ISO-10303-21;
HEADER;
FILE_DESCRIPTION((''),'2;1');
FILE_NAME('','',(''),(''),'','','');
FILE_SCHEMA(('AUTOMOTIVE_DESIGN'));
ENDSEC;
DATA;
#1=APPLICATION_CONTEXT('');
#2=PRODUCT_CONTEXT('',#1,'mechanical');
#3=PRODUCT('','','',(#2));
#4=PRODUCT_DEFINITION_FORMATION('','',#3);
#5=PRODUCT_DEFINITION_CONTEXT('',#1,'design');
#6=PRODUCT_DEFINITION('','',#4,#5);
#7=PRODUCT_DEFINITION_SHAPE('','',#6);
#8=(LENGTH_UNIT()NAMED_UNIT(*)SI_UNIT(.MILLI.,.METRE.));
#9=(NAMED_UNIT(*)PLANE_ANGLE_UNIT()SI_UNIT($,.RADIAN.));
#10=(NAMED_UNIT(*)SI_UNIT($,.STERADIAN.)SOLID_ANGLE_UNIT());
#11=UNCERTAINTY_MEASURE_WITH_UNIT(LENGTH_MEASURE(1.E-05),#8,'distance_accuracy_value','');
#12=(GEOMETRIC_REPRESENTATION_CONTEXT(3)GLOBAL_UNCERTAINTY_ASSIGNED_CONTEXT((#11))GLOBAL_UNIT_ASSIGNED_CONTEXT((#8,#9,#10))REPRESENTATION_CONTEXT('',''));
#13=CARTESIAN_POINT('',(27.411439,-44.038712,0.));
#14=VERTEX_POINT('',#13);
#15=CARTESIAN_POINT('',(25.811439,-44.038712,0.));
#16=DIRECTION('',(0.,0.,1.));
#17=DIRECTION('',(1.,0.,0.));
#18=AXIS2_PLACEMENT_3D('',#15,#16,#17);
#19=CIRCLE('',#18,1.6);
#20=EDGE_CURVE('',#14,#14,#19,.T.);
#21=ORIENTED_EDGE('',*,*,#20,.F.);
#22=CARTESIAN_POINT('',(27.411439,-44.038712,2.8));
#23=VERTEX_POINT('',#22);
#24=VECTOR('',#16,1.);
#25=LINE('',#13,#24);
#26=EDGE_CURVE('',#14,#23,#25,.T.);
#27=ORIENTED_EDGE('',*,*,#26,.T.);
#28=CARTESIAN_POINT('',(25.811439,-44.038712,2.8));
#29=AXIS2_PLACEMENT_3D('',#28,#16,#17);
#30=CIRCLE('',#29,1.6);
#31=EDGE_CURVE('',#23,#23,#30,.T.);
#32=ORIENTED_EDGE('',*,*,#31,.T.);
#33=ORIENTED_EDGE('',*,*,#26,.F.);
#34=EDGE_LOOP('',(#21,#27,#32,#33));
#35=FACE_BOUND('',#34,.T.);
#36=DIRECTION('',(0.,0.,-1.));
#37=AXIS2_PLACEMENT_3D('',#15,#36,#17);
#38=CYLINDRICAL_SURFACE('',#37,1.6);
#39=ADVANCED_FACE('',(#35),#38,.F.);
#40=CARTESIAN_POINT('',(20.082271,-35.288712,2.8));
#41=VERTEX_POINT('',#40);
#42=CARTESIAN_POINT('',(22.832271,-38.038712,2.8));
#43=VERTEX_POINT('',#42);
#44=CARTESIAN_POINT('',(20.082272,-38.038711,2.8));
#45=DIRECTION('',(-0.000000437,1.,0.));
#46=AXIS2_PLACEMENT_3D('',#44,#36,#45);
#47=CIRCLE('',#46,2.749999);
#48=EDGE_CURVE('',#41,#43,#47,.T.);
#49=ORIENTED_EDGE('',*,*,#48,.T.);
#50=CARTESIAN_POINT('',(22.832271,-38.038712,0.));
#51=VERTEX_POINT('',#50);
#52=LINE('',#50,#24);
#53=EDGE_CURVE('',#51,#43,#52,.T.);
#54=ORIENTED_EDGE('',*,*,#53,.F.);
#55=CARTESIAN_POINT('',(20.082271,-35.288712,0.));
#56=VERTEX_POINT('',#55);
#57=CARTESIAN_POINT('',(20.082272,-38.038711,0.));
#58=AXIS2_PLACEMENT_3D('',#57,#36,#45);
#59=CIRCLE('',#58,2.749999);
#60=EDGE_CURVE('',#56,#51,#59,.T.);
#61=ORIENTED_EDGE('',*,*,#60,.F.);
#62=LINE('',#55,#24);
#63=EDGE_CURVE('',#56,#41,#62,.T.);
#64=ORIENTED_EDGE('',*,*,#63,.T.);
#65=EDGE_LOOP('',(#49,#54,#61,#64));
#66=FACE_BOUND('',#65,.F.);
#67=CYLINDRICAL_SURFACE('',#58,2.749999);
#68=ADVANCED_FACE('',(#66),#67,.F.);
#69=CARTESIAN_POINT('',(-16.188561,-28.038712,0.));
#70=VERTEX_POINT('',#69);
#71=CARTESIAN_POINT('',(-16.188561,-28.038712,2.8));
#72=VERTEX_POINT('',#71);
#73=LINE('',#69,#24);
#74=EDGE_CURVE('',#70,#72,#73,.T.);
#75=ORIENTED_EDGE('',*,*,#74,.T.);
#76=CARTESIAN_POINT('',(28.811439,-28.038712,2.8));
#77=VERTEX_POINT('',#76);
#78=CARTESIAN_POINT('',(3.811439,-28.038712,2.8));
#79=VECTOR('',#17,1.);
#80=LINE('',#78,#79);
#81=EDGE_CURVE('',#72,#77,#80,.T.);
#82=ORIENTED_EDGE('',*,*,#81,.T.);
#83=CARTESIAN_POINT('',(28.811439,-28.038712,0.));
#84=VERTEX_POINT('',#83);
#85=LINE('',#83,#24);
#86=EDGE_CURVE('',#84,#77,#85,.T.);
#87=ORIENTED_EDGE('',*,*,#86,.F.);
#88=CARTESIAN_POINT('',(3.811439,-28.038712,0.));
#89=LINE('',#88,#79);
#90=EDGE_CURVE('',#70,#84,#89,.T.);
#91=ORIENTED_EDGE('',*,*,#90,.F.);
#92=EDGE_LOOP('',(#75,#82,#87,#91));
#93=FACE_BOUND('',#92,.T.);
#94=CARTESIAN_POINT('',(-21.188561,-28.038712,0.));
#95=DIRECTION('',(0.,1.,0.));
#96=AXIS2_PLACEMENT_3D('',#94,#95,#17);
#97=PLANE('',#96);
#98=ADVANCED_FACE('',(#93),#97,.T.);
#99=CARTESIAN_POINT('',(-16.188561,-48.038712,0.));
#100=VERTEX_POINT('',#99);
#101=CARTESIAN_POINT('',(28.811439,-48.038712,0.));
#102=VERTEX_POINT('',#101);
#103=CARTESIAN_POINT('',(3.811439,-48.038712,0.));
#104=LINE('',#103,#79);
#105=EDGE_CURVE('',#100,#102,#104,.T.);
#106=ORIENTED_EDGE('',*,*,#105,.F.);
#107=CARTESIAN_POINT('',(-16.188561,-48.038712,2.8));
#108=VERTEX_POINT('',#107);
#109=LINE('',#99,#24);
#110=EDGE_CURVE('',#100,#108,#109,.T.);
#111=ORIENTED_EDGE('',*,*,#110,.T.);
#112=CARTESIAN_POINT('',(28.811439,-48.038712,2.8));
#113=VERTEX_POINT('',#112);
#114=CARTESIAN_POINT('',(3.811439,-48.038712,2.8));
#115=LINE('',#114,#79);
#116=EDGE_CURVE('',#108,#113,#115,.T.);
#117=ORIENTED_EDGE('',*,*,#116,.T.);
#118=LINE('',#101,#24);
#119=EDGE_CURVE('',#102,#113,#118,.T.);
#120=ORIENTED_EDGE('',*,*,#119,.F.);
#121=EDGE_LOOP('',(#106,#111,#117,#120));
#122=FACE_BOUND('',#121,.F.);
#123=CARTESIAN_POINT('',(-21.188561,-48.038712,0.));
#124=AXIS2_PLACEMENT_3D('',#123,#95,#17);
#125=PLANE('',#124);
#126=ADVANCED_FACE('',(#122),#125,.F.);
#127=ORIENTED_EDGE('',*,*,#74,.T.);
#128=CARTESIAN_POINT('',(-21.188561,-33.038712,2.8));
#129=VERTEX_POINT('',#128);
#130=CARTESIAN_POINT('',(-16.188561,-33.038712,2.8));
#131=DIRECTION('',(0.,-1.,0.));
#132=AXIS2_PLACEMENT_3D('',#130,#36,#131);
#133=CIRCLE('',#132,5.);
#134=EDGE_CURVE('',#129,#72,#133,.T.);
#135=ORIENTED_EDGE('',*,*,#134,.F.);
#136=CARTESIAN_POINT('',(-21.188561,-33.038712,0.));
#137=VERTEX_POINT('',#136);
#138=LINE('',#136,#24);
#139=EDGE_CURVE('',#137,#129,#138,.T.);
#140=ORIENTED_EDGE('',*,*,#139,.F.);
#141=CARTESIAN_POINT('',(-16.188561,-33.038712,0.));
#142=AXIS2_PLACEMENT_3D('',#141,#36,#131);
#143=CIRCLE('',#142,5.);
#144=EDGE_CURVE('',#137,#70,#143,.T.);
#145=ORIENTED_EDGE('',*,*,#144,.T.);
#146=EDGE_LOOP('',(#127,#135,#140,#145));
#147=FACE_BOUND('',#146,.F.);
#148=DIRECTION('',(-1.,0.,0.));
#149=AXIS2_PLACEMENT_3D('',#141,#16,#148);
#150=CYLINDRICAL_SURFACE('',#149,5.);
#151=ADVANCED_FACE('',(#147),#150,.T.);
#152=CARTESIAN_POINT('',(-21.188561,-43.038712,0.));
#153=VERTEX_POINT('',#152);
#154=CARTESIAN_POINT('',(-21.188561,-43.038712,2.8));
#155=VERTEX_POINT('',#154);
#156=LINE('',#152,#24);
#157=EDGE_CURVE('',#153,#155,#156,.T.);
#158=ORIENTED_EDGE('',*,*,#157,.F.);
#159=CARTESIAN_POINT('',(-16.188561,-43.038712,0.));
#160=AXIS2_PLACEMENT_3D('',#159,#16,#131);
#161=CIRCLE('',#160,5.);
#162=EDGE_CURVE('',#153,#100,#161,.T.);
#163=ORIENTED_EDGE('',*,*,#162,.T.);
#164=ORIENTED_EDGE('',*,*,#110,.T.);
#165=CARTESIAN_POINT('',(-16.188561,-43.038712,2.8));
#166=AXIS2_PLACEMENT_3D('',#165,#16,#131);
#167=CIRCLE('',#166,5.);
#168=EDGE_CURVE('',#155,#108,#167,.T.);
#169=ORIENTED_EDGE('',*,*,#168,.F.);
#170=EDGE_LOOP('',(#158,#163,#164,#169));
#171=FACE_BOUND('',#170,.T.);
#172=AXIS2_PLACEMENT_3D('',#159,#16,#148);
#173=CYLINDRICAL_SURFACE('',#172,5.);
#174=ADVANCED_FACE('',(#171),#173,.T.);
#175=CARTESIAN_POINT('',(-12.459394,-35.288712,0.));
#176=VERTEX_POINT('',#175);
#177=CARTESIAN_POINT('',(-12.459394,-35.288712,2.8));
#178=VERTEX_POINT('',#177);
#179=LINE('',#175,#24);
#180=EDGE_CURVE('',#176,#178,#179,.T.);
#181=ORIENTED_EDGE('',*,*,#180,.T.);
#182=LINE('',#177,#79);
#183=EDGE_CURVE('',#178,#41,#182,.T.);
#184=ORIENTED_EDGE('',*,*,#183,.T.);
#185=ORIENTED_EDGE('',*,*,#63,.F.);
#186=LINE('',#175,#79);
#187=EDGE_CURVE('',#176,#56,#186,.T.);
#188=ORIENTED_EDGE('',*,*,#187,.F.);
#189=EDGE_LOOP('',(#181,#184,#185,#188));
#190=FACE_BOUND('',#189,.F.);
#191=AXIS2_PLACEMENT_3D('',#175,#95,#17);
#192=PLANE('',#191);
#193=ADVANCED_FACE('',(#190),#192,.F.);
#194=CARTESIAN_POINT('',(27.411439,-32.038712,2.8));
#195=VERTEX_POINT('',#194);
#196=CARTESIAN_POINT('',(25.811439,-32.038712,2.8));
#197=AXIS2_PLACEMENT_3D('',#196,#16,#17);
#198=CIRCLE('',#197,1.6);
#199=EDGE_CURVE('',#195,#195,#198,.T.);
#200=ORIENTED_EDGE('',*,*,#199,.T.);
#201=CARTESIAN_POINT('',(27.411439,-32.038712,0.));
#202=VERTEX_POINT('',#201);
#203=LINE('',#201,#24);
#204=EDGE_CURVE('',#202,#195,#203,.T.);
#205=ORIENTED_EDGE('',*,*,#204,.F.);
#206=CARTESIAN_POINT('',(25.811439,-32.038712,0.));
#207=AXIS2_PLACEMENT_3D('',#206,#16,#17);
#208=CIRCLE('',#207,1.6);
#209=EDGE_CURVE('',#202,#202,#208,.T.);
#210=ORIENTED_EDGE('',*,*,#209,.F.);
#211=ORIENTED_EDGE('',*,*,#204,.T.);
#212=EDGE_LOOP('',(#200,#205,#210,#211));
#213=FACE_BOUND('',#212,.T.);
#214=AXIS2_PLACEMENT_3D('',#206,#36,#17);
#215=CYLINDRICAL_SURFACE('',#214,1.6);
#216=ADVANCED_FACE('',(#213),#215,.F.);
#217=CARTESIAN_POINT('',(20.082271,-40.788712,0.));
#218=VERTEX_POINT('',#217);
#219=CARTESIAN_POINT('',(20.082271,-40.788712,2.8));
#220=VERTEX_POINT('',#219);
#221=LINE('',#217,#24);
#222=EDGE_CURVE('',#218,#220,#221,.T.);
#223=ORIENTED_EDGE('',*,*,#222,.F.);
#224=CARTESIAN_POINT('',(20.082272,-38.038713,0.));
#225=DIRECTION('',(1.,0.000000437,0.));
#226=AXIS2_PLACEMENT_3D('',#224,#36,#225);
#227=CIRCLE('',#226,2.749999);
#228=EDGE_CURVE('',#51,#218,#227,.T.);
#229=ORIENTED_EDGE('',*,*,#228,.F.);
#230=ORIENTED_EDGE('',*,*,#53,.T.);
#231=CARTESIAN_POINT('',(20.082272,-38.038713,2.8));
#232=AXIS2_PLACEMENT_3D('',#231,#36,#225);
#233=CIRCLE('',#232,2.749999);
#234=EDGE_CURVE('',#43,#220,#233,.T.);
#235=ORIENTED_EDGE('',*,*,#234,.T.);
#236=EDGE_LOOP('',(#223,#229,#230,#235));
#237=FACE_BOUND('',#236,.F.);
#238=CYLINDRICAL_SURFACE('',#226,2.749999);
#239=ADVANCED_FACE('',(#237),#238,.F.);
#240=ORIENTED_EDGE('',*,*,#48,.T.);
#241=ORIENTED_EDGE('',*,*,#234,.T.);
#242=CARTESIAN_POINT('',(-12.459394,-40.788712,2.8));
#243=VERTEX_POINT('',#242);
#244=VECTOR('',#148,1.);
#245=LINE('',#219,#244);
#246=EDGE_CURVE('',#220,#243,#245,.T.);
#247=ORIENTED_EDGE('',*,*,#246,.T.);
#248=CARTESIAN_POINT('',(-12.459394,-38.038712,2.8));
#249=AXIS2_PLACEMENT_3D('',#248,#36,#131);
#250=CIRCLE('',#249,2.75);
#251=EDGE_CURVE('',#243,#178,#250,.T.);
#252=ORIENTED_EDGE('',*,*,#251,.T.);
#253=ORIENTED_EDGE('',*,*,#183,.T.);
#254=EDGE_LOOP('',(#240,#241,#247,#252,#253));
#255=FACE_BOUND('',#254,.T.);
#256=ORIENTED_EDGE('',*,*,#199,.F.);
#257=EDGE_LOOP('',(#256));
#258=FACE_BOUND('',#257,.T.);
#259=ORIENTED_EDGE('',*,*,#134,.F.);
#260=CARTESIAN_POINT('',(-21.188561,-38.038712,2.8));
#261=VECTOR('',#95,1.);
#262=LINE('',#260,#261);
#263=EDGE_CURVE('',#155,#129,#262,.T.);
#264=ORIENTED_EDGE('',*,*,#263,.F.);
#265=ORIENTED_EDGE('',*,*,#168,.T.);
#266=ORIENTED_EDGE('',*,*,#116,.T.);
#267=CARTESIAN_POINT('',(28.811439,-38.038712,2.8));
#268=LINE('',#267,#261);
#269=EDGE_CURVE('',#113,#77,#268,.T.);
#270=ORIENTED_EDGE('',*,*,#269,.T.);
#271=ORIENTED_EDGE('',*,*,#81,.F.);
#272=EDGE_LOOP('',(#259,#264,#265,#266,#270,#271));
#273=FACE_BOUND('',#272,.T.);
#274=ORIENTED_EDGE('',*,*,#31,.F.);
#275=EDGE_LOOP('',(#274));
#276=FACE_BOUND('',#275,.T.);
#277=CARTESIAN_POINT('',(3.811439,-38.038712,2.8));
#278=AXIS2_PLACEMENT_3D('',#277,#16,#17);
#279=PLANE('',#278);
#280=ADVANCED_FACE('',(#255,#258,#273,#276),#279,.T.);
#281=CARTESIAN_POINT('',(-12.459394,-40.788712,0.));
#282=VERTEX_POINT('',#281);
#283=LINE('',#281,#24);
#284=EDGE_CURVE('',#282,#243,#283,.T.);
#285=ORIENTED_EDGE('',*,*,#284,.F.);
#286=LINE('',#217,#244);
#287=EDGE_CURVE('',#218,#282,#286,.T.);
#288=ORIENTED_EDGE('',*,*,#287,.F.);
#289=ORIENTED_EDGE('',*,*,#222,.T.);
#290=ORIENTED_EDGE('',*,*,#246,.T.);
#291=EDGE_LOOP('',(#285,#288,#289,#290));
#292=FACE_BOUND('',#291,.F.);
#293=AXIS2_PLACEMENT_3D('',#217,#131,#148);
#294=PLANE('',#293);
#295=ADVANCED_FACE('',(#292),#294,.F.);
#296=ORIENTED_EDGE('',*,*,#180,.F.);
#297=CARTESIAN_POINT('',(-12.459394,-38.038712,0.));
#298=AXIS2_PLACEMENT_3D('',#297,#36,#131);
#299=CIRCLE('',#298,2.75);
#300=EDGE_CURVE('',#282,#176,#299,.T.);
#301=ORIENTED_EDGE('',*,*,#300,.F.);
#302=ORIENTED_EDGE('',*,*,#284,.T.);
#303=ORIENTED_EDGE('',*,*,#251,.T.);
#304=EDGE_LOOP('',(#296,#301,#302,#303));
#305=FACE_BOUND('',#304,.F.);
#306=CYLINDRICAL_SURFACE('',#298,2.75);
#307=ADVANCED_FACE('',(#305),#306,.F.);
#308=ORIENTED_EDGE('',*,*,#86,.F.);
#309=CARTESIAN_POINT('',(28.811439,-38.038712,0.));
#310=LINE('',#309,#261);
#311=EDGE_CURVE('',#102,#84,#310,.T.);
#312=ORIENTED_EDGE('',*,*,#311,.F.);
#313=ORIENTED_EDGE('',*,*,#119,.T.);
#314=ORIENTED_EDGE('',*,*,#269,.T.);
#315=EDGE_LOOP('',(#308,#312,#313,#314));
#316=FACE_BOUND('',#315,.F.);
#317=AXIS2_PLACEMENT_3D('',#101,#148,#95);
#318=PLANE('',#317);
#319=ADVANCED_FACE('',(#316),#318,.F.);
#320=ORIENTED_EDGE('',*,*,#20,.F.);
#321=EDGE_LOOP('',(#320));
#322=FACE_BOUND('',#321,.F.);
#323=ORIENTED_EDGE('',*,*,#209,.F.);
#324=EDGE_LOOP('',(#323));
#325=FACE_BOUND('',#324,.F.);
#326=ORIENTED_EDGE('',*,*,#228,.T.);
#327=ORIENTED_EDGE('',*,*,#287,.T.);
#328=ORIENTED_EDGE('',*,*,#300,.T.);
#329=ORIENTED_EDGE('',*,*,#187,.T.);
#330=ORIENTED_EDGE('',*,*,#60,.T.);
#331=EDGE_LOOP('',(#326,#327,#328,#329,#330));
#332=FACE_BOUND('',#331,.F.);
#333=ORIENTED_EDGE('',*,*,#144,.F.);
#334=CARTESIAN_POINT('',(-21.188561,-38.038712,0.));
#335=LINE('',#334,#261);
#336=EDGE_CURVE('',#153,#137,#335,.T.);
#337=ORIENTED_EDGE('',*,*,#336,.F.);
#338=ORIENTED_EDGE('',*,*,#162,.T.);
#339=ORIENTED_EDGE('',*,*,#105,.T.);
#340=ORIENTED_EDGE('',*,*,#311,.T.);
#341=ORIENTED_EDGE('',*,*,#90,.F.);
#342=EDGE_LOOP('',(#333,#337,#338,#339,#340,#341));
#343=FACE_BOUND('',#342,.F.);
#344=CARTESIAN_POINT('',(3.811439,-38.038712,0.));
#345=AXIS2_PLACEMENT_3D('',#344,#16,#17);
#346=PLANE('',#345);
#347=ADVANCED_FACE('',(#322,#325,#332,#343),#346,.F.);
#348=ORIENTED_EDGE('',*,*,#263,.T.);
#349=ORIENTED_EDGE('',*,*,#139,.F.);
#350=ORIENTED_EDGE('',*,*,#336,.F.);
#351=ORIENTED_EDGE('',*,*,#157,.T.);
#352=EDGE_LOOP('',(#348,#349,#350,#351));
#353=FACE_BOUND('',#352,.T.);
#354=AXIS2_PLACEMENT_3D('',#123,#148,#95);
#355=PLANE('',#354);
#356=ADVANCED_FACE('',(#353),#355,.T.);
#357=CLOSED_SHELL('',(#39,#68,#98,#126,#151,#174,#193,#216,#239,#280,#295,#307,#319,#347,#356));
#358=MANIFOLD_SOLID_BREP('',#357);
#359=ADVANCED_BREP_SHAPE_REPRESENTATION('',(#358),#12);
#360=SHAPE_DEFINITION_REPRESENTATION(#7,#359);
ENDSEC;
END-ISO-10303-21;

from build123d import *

# Parameters (mm, degrees)
F0_W     = 50
F0_H     = 20
F0_R     = 1.6
F1_DEPTH = 2.8
F2_R     = 5


with BuildPart() as f1:
    # F0 (on Top) → F1 (new body)
    with BuildSketch(Plane.XY):
        with Locations((3.811439, -38.038712)):
            Rectangle(F0_W, F0_H)
        with Locations((25.811439, -44.038712)):
            Circle(F0_R, mode=Mode.SUBTRACT)
        with BuildLine():
            ThreePointArc((-12.459394, -40.788712), (-15.209394, -38.038712), (-12.459394, -35.288712))
            Line((-12.459394, -35.288712), (20.082271, -35.288712))
            ThreePointArc((20.082271, -35.288712), (22.026815, -36.094168), (22.832271, -38.038712))
            ThreePointArc((22.832271, -38.038712), (22.026815, -39.983256), (20.082271, -40.788712))
            Line((20.082271, -40.788712), (-12.459394, -40.788712))
        make_face(mode=Mode.SUBTRACT)
        with Locations((25.811439, -32.038712)):
            Circle(F0_R, mode=Mode.SUBTRACT)
    extrude(amount=F1_DEPTH)

    # F2
    f2_edges = [f1.edges().sort_by_distance(p)[0] for p in [
        (-21.188561, -48.038712, 1.4),
        (-21.188561, -28.038712, 1.4),
    ]]
    fillet(f2_edges, radius=F2_R)


solid = f1.part
